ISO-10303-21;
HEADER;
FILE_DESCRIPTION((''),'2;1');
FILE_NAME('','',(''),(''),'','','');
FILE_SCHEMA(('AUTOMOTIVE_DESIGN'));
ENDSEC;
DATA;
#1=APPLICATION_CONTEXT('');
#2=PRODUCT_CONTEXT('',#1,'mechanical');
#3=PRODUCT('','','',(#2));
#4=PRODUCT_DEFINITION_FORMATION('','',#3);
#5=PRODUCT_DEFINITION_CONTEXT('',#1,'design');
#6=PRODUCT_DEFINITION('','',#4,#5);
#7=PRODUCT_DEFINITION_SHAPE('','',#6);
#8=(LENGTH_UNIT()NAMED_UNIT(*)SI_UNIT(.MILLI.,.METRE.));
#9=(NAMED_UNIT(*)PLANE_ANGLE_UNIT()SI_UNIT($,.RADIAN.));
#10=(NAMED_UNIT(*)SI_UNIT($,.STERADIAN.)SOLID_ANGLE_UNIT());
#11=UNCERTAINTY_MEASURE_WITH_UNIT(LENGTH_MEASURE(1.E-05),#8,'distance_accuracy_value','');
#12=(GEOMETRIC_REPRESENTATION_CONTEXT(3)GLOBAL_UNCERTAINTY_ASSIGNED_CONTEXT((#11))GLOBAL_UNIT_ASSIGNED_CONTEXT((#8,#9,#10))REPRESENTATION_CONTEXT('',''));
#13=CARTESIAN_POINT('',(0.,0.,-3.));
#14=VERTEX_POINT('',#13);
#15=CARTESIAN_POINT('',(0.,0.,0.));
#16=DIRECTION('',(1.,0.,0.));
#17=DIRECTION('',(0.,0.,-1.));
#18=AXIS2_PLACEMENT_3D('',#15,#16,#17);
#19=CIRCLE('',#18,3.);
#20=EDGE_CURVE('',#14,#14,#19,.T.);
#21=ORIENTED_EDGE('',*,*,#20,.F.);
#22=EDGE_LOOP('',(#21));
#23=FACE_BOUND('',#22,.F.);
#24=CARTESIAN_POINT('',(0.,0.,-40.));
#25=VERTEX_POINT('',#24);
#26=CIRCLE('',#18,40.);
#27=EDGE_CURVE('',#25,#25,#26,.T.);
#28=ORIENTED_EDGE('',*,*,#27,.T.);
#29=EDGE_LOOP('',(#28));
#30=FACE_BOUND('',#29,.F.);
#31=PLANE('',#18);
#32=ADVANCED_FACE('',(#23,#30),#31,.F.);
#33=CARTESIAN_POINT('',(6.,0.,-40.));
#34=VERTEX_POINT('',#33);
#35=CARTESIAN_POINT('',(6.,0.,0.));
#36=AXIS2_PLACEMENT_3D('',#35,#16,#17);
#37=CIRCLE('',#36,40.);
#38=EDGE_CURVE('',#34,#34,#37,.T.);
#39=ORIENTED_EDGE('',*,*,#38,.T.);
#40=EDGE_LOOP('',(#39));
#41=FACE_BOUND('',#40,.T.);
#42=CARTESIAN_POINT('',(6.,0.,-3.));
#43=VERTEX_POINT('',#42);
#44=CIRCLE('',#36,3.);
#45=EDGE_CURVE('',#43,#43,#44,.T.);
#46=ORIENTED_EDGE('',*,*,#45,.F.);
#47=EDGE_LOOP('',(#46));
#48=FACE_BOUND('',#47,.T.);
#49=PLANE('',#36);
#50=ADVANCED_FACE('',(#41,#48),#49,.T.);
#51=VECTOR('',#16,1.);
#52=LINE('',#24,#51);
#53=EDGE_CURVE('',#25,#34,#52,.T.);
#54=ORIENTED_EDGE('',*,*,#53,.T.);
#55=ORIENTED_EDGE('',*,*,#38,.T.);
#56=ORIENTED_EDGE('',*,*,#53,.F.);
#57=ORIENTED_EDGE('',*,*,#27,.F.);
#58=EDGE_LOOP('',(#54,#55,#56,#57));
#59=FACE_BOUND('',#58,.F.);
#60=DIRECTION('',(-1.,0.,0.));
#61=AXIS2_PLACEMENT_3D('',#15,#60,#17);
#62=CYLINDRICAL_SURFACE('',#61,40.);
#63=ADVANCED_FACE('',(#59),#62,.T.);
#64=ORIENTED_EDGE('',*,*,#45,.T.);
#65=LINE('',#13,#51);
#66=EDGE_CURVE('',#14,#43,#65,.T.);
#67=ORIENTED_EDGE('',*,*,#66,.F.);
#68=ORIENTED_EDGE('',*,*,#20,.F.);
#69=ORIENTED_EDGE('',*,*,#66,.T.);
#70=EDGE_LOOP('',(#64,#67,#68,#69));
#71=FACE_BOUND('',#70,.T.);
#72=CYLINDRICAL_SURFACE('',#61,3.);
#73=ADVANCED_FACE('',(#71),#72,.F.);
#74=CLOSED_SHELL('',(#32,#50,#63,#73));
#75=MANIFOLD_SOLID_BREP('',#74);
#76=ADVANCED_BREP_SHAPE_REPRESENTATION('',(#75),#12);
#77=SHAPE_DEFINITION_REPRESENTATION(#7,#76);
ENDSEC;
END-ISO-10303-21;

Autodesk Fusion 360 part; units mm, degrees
sketch "Sketch1" plane through (0, 0, 0) normal (1, 0, 0) x (0, 0, -1)
  circle A0 centre (0, 0) radius 3
  circle A1 centre (0, 0) radius 40
  dimension "d1" = 6
  dimension "d2" = 80
extrude "Extrude1" add sketch "Sketch1" along normal blind 6
